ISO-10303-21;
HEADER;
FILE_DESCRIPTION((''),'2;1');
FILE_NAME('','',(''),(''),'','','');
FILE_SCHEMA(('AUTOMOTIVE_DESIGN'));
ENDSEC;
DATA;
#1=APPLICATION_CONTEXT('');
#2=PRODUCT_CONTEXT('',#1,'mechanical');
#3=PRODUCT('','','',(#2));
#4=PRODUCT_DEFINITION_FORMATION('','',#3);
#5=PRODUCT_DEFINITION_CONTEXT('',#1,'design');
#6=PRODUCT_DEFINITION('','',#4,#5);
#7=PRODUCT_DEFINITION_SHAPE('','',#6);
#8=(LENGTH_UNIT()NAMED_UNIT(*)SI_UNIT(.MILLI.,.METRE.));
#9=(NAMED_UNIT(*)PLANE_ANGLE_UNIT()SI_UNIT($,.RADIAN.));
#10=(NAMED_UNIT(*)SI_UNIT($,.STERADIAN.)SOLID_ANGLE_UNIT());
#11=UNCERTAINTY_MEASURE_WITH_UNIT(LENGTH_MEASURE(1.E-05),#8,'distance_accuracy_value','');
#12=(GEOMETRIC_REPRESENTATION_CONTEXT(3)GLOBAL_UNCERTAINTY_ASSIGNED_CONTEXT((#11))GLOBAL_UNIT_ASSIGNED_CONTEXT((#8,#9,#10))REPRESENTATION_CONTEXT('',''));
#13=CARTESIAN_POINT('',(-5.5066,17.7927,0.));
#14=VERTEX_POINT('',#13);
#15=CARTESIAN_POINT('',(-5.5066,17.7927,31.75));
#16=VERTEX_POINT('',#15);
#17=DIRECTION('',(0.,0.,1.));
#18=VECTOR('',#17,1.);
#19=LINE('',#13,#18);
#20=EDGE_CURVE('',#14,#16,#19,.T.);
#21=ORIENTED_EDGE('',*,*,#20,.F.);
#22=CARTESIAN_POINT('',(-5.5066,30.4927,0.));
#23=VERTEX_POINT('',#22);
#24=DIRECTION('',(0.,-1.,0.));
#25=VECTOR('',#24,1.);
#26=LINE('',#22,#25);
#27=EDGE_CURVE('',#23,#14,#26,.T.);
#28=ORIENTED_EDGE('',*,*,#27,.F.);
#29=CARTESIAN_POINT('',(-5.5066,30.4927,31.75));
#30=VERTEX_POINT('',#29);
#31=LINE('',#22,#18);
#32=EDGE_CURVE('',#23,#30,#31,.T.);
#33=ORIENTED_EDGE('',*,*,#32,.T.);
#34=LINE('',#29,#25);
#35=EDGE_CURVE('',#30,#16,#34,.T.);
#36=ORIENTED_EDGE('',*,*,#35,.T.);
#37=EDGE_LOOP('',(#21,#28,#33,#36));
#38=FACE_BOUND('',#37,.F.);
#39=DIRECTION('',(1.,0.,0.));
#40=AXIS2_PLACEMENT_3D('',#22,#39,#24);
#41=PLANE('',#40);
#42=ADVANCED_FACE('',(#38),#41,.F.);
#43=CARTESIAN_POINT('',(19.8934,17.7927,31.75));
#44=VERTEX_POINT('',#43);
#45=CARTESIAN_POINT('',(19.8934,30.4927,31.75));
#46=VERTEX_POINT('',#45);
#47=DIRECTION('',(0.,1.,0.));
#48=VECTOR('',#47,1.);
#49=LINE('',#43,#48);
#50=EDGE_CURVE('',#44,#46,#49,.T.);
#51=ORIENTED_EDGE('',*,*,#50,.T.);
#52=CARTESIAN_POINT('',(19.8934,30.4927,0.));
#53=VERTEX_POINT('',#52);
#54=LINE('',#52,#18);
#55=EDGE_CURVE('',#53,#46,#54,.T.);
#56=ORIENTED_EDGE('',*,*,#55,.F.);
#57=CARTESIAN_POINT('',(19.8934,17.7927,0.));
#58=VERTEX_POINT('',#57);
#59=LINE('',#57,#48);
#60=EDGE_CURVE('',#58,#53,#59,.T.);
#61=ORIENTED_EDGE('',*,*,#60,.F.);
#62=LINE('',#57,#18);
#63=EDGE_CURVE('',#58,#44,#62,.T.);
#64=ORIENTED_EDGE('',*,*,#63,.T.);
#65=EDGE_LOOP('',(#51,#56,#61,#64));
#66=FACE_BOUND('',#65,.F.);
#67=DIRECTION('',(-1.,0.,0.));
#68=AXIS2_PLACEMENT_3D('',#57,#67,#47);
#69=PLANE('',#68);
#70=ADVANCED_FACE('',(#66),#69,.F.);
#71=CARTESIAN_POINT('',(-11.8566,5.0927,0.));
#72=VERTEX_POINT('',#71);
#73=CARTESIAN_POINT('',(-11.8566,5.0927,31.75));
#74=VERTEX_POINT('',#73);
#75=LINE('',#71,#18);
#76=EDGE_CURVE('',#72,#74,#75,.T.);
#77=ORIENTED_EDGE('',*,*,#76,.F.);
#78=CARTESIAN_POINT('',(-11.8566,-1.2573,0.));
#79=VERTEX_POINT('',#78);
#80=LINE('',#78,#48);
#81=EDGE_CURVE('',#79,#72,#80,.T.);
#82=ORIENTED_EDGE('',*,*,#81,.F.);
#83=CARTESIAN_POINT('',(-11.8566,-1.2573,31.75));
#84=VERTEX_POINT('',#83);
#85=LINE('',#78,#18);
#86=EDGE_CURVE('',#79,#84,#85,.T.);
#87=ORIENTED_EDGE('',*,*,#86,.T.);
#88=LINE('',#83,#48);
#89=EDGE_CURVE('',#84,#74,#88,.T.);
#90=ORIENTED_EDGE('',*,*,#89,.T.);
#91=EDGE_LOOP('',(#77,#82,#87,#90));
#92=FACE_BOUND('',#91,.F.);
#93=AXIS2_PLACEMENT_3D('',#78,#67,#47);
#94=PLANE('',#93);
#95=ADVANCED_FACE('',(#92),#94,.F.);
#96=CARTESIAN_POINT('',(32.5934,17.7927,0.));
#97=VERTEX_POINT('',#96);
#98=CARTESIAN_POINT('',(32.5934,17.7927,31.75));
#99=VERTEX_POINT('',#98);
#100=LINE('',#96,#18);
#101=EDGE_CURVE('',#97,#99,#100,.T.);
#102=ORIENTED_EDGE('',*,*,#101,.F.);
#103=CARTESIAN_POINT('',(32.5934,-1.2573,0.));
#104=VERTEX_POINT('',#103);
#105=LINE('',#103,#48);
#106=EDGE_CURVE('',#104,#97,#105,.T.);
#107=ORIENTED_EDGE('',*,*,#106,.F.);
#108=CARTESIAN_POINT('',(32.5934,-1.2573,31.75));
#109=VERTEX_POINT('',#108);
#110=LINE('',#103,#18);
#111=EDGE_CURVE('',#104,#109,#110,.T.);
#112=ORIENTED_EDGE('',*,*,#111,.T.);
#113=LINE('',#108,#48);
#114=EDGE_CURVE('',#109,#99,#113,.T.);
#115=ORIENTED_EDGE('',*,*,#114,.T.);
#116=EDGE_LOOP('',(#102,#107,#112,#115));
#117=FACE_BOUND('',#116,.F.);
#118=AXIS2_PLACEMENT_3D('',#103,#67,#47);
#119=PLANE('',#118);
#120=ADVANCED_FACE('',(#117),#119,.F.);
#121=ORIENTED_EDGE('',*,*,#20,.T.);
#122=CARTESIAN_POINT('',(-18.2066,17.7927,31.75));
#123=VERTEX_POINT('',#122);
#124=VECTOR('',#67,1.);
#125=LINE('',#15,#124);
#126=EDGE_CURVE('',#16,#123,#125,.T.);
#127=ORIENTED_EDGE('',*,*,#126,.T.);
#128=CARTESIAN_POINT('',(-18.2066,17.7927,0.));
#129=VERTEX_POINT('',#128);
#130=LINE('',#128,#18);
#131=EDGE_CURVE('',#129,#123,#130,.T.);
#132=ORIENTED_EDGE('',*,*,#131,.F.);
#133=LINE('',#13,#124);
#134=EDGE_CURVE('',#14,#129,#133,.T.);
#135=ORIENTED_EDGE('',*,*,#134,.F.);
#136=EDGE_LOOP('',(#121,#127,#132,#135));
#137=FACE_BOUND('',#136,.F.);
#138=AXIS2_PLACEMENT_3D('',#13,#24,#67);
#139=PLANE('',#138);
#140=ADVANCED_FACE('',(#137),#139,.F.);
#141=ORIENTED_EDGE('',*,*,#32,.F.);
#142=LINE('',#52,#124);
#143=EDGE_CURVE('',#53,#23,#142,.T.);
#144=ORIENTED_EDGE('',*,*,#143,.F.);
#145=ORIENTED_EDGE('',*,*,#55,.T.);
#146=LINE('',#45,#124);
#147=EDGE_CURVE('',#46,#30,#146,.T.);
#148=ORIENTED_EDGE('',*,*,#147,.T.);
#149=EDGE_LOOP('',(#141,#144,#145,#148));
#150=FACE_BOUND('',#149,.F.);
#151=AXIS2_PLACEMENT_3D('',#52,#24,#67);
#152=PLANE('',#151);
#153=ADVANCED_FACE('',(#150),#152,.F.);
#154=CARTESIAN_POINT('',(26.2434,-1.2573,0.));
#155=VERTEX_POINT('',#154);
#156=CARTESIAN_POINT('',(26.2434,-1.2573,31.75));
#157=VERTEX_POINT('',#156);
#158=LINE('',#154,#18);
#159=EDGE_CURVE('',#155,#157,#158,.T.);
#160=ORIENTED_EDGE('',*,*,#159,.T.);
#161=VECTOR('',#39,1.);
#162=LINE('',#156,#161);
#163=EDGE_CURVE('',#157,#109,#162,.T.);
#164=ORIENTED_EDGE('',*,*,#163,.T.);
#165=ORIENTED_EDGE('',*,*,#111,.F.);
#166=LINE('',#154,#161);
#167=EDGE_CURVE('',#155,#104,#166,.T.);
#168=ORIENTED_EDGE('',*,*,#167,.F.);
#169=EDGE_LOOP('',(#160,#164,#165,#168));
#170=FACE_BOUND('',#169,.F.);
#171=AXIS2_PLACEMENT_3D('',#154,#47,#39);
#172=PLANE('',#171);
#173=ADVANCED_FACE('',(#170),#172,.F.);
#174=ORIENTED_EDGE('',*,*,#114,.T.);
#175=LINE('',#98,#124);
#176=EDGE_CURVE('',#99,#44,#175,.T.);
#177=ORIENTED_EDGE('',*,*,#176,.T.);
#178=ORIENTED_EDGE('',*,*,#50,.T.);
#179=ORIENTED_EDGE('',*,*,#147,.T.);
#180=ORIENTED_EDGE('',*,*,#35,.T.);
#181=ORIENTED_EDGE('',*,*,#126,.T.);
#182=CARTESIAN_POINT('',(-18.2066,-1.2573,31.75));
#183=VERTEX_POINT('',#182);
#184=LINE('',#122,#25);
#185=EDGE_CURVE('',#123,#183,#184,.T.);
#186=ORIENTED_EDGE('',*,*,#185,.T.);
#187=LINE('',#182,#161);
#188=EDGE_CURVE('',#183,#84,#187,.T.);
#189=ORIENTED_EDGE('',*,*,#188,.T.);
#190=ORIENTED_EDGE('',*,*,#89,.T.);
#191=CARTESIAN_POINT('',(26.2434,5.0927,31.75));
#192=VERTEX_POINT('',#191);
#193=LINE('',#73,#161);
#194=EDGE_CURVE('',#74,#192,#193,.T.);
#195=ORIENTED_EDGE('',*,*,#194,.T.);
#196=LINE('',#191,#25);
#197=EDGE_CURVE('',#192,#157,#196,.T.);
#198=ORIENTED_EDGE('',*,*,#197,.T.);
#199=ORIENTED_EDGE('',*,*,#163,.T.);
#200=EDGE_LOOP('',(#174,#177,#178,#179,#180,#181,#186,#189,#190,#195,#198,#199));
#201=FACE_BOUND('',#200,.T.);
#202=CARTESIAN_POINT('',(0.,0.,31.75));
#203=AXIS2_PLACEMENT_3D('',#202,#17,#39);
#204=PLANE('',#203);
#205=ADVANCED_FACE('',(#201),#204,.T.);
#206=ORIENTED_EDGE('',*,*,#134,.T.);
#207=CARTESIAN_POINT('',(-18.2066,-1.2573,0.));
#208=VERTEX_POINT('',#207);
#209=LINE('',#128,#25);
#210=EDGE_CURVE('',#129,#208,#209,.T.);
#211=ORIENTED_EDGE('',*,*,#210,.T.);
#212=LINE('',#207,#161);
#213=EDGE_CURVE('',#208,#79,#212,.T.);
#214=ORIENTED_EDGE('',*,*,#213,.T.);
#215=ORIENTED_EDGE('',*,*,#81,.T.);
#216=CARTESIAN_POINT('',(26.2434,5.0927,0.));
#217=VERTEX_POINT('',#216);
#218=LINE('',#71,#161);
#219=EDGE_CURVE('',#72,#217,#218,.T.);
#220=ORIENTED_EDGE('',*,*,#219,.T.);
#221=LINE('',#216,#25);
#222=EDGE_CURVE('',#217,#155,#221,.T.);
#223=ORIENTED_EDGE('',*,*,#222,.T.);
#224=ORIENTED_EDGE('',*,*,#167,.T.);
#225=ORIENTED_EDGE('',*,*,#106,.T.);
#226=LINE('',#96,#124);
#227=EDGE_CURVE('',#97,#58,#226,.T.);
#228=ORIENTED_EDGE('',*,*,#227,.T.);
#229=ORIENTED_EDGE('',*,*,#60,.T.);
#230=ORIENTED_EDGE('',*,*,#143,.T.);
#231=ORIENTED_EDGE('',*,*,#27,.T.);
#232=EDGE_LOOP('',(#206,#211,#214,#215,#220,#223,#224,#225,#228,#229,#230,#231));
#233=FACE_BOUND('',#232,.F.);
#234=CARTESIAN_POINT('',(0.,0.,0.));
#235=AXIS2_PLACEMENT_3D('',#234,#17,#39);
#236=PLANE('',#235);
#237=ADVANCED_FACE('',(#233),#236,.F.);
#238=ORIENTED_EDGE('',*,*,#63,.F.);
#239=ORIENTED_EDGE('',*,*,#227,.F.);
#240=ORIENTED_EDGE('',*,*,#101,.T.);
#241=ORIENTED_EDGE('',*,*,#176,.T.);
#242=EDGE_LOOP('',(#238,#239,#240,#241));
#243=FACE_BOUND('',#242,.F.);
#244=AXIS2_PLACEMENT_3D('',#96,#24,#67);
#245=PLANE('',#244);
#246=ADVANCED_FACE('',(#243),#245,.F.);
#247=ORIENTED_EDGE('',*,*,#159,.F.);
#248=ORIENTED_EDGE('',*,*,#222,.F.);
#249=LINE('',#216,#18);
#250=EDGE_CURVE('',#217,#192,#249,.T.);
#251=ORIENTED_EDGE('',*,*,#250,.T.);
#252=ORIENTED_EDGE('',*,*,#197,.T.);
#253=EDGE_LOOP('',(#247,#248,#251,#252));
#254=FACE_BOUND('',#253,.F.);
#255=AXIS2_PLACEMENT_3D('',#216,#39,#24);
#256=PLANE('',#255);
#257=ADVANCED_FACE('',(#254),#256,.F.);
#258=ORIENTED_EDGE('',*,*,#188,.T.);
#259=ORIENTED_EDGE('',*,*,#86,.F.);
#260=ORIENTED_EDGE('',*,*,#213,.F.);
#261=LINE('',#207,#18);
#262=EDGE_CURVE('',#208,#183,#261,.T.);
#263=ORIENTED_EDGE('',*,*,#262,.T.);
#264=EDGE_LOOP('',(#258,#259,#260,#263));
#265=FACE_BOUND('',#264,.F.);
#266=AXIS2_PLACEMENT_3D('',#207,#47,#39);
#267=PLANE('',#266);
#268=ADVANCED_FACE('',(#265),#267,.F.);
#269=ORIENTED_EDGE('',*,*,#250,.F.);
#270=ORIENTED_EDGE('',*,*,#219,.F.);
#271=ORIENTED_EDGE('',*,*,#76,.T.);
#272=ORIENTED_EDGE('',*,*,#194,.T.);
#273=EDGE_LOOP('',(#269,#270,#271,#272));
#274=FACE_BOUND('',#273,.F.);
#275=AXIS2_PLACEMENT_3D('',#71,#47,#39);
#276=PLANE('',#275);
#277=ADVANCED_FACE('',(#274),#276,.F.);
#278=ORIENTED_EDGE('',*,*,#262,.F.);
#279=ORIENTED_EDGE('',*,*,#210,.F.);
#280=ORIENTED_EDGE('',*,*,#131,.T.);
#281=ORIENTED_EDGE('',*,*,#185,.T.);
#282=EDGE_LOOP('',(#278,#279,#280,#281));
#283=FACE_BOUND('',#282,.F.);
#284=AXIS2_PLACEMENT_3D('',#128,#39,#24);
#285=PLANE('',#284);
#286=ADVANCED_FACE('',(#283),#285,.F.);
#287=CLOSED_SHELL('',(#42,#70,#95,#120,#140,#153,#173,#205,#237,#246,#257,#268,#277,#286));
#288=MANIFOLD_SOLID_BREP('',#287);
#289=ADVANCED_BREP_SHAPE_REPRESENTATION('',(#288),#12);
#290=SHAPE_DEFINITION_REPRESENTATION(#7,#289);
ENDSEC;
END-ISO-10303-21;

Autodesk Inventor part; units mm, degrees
ref_plane "YZ Plane" through (0, 0, 0) normal (1, 0, 0) x (0, 1, 0)
ref_plane "XZ Plane" through (0, 0, 0) normal (0, 1, 0) x (-1, 0, 0)
ref_plane "XY Plane" through (0, 0, 0) normal (0, 0, 1) x (1, 0, 0)
sketch "Sketch1" plane through (0, 0, 0) normal (0, 0, 1) x (1, 0, 0)
  line L0 (-18.2066, -1.2573) -> (-11.8566, -1.2573)
  line L1 (-11.8566, -1.2573) -> (-11.8566, 5.0927)
  line L2 (-11.8566, 5.0927) -> (26.2434, 5.0927)
  line L3 (26.2434, 5.0927) -> (26.2434, -1.2573)
  line L4 (26.2434, -1.2573) -> (32.5934, -1.2573)
  line L5 (32.5934, -1.2573) -> (32.5934, 17.7927)
  line L6 (32.5934, 17.7927) -> (19.8934, 17.7927)
  line L7 (19.8934, 17.7927) -> (19.8934, 30.4927)
  line L8 (19.8934, 30.4927) -> (-5.5066, 30.4927)
  line L9 (-5.5066, 30.4927) -> (-5.5066, 17.7927)
  line L10 (-5.5066, 17.7927) -> (-18.2066, 17.7927)
  line L11 (-18.2066, 17.7927) -> (-18.2066, -1.2573)
  point P0 (0, 0)
  dimension "d0" = 6.35
  dimension "d1" = 6.35
  dimension "d2" = 38.1
  dimension "d3" = 6.35
  dimension "d4" = 19.05
  dimension "d5" = 12.7
  dimension "d6" = 12.7
  dimension "d7" = 25.4
  dimension "d8" = 12.7
extrude "Extrusion1" add sketch "Sketch1" along normal blind 31.75
properties part number "arthurWeiActivity 7.1#2"
